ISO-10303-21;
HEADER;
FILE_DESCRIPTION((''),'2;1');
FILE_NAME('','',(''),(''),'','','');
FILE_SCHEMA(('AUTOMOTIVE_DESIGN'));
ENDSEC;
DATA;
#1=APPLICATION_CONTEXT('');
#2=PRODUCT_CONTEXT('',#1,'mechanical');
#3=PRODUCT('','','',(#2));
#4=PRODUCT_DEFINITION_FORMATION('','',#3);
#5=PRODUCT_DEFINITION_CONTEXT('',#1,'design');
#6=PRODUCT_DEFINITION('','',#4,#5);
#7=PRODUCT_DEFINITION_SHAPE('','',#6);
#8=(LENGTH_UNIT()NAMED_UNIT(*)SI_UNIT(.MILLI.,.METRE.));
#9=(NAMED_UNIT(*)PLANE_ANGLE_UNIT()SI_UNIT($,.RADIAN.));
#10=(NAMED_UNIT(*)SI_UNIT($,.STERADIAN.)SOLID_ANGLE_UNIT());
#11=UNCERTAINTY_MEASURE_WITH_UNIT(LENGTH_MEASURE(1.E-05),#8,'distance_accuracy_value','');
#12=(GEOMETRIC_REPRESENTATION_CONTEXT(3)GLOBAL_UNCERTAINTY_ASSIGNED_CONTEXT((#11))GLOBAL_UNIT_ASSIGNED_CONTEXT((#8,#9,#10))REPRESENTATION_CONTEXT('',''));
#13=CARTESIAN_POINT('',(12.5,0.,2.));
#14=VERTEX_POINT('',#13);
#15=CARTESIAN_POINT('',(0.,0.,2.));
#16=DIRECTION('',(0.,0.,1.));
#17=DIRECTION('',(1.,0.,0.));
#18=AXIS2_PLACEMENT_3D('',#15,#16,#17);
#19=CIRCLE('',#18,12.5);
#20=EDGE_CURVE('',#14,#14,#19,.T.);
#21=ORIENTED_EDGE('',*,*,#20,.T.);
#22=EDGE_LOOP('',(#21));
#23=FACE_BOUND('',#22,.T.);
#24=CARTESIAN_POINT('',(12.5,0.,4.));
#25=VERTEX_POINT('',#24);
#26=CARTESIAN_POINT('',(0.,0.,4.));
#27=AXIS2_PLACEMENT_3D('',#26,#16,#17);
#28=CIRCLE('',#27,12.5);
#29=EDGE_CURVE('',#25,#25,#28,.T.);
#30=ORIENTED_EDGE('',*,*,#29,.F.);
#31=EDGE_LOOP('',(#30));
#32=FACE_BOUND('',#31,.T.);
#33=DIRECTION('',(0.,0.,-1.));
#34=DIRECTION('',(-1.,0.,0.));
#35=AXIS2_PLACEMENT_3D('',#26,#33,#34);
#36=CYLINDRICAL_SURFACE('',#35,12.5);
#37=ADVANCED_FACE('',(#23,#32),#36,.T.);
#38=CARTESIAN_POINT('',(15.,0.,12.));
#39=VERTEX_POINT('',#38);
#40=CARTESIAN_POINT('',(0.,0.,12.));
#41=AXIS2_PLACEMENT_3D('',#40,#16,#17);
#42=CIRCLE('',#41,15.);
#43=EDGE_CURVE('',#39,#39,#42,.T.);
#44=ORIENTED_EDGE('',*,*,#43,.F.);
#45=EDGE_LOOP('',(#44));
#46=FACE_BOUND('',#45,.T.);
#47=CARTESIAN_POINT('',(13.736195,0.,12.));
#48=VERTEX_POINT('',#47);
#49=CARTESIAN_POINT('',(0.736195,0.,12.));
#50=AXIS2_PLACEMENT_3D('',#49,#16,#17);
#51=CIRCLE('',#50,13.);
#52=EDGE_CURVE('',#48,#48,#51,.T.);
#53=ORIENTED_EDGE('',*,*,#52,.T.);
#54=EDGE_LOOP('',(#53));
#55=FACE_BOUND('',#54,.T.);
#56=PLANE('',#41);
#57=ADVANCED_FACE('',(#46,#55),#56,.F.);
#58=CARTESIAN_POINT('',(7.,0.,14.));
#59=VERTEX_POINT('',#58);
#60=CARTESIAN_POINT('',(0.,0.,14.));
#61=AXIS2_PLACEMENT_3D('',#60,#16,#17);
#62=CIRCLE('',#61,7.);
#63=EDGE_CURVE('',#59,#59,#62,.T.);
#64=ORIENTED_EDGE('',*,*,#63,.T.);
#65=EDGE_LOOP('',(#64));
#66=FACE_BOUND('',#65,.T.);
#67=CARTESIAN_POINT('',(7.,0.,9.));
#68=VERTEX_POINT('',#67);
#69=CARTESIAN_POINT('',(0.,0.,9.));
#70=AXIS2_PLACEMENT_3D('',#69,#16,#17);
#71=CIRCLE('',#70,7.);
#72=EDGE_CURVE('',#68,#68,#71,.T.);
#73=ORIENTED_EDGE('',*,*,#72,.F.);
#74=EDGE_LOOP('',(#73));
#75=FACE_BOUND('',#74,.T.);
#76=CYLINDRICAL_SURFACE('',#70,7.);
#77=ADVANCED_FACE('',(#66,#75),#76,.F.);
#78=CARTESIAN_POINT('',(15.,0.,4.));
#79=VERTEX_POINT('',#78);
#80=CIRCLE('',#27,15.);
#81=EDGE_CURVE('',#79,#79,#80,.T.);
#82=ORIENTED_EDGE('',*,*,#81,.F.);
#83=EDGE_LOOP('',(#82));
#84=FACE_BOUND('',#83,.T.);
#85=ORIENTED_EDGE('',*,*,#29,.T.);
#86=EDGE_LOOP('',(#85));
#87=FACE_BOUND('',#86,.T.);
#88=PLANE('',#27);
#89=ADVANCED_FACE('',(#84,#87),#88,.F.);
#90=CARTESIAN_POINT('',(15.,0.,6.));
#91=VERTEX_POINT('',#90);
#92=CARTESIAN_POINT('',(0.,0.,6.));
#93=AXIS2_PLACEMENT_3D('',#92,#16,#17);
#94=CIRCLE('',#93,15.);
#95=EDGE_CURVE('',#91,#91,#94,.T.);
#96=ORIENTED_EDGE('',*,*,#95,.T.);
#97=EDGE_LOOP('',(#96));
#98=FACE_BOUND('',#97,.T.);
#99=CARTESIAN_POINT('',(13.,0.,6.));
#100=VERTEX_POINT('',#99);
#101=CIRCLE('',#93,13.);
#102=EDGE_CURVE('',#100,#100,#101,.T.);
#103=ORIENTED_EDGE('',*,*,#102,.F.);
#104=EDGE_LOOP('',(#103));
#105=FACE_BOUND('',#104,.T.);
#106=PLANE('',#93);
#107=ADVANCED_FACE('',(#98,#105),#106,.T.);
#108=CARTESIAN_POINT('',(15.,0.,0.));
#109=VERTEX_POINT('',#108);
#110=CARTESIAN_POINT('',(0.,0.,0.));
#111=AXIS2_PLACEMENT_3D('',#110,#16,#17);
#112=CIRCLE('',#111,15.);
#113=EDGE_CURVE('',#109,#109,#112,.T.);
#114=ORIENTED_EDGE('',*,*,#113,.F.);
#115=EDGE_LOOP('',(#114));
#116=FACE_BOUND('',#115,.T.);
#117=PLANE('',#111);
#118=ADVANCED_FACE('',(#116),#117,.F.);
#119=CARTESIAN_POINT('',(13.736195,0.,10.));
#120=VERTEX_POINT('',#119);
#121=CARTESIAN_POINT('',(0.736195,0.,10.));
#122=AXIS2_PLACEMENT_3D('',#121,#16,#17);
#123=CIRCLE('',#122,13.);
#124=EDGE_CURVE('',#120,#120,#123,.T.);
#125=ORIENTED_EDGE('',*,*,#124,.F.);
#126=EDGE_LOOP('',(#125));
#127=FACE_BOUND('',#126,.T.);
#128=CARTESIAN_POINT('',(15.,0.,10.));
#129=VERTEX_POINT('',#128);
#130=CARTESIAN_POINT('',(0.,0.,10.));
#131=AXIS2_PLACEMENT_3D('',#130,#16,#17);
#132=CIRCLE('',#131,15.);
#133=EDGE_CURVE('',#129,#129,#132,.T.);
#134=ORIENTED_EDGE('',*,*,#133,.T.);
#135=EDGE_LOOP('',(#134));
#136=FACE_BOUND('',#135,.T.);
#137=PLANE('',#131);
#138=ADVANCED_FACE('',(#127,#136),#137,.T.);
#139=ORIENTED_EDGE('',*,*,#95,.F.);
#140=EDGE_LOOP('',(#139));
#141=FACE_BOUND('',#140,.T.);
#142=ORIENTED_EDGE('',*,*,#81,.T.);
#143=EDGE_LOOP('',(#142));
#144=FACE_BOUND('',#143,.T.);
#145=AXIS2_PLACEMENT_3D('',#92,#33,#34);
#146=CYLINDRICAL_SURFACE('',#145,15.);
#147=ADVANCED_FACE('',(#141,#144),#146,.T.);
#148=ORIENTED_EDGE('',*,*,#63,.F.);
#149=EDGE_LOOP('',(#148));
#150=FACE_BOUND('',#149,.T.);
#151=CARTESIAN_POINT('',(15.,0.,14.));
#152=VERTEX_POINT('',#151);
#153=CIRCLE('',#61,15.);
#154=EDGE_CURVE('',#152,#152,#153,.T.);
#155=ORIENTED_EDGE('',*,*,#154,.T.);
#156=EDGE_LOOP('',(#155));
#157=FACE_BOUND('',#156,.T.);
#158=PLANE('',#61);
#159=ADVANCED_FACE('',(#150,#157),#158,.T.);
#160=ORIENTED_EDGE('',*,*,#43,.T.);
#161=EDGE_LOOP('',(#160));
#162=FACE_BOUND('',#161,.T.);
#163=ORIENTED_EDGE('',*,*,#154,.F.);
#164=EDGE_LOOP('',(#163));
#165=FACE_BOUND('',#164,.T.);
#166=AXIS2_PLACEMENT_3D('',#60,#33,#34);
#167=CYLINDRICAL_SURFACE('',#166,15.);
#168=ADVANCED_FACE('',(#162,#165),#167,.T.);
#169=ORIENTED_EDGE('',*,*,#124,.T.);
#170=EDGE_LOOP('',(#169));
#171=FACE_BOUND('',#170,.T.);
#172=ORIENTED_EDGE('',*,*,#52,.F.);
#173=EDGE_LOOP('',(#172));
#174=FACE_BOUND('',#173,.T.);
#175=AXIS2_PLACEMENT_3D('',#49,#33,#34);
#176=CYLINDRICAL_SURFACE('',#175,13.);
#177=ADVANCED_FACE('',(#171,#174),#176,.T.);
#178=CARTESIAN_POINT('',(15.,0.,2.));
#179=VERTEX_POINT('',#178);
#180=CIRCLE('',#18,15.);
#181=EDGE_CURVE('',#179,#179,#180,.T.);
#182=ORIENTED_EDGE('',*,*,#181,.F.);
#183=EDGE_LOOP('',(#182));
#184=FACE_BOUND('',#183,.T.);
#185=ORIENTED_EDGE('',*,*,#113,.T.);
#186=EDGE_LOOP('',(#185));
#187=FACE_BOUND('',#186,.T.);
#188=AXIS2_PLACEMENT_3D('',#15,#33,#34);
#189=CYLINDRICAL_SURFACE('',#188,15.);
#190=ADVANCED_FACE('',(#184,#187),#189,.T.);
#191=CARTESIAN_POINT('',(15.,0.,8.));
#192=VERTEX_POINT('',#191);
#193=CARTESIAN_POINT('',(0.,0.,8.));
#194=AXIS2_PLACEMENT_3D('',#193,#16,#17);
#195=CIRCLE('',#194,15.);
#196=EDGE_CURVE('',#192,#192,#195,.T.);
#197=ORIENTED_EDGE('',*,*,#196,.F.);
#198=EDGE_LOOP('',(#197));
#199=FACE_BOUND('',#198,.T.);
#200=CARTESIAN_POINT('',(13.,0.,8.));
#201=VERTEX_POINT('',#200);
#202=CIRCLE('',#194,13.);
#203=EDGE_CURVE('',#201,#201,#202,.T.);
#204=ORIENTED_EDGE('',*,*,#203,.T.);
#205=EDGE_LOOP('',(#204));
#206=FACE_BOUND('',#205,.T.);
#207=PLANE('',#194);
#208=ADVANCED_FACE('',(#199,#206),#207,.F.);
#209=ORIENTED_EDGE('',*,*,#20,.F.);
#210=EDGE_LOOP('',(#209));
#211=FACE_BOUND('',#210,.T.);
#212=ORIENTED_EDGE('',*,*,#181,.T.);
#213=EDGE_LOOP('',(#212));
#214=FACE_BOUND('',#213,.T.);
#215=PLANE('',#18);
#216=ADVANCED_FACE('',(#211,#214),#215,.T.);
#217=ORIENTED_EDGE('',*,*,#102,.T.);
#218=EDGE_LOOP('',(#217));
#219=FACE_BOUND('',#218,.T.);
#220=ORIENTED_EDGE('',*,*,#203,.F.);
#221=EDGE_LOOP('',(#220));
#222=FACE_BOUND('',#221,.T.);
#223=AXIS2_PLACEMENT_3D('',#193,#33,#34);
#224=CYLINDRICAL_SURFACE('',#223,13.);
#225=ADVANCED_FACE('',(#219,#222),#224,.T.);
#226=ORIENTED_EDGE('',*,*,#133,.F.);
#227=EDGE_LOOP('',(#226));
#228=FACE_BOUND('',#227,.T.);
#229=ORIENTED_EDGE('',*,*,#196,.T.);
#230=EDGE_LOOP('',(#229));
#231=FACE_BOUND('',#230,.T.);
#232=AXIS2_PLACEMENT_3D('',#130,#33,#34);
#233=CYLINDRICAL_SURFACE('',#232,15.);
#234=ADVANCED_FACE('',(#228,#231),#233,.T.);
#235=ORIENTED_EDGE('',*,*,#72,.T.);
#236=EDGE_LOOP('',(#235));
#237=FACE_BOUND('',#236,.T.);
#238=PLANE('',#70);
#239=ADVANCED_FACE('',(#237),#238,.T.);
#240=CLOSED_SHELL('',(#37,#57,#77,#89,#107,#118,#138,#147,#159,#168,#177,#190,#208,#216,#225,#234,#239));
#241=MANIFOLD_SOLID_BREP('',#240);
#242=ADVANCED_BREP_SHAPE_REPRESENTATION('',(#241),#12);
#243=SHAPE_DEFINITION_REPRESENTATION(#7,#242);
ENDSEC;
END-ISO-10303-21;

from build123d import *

# Parameters (mm, degrees)
SKETCH_1_R          = 15
EXTRUDE_1_DEPTH     = 2
SKETCH_3_R          = 12.5
EXTRUDE_2_DEPTH     = 2
SKETCH_4_R          = 15
EXTRUDE_3_DEPTH     = 2
SKETCH_5_R          = 13
EXTRUDE_4_DEPTH     = 2
SKETCH_6_R          = 15
EXTRUDE_5_DEPTH     = 2
SKETCH_7_R          = 13
EXTRUDE_6_DEPTH     = 2
SKETCH_8_R          = 15
EXTRUDE_7_DEPTH     = 2
SKETCH_9_R          = 7
CUT_EXTRUDE_1_DEPTH = 5


with BuildPart() as part:
    # 草图1 → 凸台-拉伸1 (new body)
    with BuildSketch(Plane.XY):
        Circle(SKETCH_1_R)
    extrude(amount=EXTRUDE_1_DEPTH)

    # 草图3 → 凸台-拉伸2 (add)
    with BuildSketch(Plane.XY.offset(2)):
        Circle(SKETCH_3_R)
    extrude(amount=EXTRUDE_2_DEPTH)

    # 草图4 → 凸台-拉伸3 (add)
    with BuildSketch(Plane.XY.offset(4)):
        Circle(SKETCH_4_R)
    extrude(amount=EXTRUDE_3_DEPTH)

    # 草图5 → 凸台-拉伸4 (add)
    with BuildSketch(Plane.XY.offset(6)):
        Circle(SKETCH_5_R)
    extrude(amount=EXTRUDE_4_DEPTH)

    # 草图6 → 凸台-拉伸5 (add)
    with BuildSketch(Plane.XY.offset(8)):
        Circle(SKETCH_6_R)
    extrude(amount=EXTRUDE_5_DEPTH)

    # 草图7 → 凸台-拉伸6 (add)
    with BuildSketch(Plane.XY.offset(10)):
        with Locations((0.736194689, 0)):
            Circle(SKETCH_7_R)
    extrude(amount=EXTRUDE_6_DEPTH)

    # 草图8 → 凸台-拉伸7 (add)
    with BuildSketch(Plane.XY.offset(12)):
        Circle(SKETCH_8_R)
    extrude(amount=EXTRUDE_7_DEPTH)

    # 草图9 → 切除-拉伸1 (cut)
    with BuildSketch(Plane.XY.offset(14)):
        Circle(SKETCH_9_R)
    extrude(amount=-CUT_EXTRUDE_1_DEPTH, mode=Mode.SUBTRACT)


solid = part.part
